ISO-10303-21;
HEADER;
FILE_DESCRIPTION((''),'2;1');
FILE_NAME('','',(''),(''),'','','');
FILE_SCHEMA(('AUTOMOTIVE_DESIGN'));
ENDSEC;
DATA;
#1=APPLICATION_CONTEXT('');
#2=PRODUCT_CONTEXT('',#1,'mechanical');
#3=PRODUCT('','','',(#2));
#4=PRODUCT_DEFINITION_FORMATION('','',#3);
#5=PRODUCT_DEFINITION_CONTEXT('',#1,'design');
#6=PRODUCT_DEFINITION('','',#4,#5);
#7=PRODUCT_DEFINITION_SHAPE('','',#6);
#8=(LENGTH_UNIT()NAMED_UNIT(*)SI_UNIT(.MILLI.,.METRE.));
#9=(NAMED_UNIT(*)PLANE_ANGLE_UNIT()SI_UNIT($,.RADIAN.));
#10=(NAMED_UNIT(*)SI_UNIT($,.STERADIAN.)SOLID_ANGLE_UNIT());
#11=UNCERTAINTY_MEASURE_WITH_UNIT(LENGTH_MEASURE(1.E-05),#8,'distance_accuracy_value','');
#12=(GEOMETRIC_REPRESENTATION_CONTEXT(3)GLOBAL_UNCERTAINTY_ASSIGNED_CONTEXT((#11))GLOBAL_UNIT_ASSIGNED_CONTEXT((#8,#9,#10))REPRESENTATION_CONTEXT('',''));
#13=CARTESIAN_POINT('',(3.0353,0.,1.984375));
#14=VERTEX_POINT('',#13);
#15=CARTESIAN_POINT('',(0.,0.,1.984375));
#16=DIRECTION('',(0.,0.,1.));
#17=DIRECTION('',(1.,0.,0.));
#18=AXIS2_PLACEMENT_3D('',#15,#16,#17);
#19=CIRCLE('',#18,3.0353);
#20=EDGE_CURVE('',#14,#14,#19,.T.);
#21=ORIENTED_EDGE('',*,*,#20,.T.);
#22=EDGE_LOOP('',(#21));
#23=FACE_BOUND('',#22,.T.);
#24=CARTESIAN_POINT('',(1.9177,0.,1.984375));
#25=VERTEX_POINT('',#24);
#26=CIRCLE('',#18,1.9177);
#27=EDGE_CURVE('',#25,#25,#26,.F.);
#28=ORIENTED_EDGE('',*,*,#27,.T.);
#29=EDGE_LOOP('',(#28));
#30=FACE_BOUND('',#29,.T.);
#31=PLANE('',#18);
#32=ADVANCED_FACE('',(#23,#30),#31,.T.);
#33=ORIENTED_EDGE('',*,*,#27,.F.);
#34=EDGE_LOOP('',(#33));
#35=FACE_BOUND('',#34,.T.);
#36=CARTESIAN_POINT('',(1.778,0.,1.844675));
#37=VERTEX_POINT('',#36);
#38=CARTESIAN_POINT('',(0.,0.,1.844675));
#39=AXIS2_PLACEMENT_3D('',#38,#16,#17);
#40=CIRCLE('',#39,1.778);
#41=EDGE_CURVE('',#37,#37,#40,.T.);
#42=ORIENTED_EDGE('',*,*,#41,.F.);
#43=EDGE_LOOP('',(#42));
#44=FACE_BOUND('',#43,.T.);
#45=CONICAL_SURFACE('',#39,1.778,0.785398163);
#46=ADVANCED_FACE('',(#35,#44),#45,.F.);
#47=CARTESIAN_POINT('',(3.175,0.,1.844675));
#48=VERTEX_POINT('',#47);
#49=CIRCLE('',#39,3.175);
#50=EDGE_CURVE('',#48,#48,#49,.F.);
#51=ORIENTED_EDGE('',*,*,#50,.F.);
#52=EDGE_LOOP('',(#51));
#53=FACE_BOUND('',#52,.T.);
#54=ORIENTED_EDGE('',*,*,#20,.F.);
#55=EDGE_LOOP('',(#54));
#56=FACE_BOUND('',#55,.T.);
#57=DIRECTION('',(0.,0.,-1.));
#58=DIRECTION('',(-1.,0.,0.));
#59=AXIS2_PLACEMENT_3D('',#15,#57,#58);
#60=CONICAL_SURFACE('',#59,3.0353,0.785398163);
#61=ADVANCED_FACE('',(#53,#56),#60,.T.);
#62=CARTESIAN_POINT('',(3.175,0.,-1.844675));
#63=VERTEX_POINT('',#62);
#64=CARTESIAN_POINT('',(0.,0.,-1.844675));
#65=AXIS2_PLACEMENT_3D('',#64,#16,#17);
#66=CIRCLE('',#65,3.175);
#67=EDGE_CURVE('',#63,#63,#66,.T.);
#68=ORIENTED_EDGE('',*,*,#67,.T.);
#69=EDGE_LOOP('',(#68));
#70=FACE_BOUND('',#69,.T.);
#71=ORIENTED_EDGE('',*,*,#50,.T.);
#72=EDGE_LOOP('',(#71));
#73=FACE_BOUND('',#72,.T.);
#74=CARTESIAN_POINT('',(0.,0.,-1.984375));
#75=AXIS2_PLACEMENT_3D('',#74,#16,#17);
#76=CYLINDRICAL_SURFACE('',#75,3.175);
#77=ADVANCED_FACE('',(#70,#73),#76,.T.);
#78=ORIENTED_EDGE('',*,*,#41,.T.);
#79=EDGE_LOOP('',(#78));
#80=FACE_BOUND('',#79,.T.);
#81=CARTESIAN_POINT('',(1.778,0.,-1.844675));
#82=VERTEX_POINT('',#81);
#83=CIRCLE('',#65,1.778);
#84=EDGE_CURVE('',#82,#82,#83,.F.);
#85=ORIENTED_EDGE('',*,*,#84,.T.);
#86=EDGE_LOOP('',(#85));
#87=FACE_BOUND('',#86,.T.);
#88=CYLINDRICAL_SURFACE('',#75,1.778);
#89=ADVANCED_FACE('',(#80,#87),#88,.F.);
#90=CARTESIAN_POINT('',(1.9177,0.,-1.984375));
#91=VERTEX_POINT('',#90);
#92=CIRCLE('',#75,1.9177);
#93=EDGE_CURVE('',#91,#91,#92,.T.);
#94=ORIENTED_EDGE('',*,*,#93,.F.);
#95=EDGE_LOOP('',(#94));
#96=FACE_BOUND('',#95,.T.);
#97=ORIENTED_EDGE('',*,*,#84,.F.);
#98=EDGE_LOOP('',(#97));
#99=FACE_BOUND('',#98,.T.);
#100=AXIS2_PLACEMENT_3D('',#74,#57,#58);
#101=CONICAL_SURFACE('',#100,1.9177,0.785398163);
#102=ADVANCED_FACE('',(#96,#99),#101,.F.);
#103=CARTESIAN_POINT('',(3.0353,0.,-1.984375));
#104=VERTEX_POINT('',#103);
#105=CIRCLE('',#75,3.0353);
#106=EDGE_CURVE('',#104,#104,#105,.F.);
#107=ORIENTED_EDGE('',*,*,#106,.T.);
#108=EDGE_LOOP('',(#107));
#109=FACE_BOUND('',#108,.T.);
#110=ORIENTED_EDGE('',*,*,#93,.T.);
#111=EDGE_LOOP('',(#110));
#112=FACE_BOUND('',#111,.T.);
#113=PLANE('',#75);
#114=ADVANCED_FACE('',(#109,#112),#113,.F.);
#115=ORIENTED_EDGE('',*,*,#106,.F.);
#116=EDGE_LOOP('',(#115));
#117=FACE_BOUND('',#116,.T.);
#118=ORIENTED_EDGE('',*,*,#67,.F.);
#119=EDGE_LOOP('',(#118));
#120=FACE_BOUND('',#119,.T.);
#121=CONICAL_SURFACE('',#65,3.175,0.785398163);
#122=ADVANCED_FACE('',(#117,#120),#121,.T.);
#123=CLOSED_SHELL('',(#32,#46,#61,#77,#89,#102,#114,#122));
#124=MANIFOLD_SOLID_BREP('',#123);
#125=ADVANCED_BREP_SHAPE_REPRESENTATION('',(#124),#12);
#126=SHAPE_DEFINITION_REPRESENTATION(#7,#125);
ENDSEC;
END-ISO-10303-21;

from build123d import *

# Parameters (mm, degrees)
SKETCH3_R                = 3.175
SKETCH3_R_2              = 1.778
BOSS_EXTRUDE1_DEPTH      = 1.984375
BOSS_EXTRUDE1_DEPTH_BACK = 1.984375
CHAMFER1_SIZE            = 0.1397


with BuildPart() as part:
    # Sketch3 → Boss-Extrude1 (new body, two sides)
    with BuildSketch(Plane.XY) as boss_extrude1_sk:
        Circle(SKETCH3_R)
        Circle(SKETCH3_R_2, mode=Mode.SUBTRACT)
    extrude(amount=BOSS_EXTRUDE1_DEPTH)
    extrude(boss_extrude1_sk.sketch, amount=-BOSS_EXTRUDE1_DEPTH_BACK)

    # Chamfer1
    chamfer1_edges = [part.edges().sort_by_distance(p)[0] for p in [
        (-3.175, 0, -1.984375),
        (-1.778, 0, -1.984375),
        (-3.175, 0, 1.984375),
        (-1.778, 0, 1.984375),
    ]]
    chamfer(chamfer1_edges, length=CHAMFER1_SIZE)


solid = part.part
